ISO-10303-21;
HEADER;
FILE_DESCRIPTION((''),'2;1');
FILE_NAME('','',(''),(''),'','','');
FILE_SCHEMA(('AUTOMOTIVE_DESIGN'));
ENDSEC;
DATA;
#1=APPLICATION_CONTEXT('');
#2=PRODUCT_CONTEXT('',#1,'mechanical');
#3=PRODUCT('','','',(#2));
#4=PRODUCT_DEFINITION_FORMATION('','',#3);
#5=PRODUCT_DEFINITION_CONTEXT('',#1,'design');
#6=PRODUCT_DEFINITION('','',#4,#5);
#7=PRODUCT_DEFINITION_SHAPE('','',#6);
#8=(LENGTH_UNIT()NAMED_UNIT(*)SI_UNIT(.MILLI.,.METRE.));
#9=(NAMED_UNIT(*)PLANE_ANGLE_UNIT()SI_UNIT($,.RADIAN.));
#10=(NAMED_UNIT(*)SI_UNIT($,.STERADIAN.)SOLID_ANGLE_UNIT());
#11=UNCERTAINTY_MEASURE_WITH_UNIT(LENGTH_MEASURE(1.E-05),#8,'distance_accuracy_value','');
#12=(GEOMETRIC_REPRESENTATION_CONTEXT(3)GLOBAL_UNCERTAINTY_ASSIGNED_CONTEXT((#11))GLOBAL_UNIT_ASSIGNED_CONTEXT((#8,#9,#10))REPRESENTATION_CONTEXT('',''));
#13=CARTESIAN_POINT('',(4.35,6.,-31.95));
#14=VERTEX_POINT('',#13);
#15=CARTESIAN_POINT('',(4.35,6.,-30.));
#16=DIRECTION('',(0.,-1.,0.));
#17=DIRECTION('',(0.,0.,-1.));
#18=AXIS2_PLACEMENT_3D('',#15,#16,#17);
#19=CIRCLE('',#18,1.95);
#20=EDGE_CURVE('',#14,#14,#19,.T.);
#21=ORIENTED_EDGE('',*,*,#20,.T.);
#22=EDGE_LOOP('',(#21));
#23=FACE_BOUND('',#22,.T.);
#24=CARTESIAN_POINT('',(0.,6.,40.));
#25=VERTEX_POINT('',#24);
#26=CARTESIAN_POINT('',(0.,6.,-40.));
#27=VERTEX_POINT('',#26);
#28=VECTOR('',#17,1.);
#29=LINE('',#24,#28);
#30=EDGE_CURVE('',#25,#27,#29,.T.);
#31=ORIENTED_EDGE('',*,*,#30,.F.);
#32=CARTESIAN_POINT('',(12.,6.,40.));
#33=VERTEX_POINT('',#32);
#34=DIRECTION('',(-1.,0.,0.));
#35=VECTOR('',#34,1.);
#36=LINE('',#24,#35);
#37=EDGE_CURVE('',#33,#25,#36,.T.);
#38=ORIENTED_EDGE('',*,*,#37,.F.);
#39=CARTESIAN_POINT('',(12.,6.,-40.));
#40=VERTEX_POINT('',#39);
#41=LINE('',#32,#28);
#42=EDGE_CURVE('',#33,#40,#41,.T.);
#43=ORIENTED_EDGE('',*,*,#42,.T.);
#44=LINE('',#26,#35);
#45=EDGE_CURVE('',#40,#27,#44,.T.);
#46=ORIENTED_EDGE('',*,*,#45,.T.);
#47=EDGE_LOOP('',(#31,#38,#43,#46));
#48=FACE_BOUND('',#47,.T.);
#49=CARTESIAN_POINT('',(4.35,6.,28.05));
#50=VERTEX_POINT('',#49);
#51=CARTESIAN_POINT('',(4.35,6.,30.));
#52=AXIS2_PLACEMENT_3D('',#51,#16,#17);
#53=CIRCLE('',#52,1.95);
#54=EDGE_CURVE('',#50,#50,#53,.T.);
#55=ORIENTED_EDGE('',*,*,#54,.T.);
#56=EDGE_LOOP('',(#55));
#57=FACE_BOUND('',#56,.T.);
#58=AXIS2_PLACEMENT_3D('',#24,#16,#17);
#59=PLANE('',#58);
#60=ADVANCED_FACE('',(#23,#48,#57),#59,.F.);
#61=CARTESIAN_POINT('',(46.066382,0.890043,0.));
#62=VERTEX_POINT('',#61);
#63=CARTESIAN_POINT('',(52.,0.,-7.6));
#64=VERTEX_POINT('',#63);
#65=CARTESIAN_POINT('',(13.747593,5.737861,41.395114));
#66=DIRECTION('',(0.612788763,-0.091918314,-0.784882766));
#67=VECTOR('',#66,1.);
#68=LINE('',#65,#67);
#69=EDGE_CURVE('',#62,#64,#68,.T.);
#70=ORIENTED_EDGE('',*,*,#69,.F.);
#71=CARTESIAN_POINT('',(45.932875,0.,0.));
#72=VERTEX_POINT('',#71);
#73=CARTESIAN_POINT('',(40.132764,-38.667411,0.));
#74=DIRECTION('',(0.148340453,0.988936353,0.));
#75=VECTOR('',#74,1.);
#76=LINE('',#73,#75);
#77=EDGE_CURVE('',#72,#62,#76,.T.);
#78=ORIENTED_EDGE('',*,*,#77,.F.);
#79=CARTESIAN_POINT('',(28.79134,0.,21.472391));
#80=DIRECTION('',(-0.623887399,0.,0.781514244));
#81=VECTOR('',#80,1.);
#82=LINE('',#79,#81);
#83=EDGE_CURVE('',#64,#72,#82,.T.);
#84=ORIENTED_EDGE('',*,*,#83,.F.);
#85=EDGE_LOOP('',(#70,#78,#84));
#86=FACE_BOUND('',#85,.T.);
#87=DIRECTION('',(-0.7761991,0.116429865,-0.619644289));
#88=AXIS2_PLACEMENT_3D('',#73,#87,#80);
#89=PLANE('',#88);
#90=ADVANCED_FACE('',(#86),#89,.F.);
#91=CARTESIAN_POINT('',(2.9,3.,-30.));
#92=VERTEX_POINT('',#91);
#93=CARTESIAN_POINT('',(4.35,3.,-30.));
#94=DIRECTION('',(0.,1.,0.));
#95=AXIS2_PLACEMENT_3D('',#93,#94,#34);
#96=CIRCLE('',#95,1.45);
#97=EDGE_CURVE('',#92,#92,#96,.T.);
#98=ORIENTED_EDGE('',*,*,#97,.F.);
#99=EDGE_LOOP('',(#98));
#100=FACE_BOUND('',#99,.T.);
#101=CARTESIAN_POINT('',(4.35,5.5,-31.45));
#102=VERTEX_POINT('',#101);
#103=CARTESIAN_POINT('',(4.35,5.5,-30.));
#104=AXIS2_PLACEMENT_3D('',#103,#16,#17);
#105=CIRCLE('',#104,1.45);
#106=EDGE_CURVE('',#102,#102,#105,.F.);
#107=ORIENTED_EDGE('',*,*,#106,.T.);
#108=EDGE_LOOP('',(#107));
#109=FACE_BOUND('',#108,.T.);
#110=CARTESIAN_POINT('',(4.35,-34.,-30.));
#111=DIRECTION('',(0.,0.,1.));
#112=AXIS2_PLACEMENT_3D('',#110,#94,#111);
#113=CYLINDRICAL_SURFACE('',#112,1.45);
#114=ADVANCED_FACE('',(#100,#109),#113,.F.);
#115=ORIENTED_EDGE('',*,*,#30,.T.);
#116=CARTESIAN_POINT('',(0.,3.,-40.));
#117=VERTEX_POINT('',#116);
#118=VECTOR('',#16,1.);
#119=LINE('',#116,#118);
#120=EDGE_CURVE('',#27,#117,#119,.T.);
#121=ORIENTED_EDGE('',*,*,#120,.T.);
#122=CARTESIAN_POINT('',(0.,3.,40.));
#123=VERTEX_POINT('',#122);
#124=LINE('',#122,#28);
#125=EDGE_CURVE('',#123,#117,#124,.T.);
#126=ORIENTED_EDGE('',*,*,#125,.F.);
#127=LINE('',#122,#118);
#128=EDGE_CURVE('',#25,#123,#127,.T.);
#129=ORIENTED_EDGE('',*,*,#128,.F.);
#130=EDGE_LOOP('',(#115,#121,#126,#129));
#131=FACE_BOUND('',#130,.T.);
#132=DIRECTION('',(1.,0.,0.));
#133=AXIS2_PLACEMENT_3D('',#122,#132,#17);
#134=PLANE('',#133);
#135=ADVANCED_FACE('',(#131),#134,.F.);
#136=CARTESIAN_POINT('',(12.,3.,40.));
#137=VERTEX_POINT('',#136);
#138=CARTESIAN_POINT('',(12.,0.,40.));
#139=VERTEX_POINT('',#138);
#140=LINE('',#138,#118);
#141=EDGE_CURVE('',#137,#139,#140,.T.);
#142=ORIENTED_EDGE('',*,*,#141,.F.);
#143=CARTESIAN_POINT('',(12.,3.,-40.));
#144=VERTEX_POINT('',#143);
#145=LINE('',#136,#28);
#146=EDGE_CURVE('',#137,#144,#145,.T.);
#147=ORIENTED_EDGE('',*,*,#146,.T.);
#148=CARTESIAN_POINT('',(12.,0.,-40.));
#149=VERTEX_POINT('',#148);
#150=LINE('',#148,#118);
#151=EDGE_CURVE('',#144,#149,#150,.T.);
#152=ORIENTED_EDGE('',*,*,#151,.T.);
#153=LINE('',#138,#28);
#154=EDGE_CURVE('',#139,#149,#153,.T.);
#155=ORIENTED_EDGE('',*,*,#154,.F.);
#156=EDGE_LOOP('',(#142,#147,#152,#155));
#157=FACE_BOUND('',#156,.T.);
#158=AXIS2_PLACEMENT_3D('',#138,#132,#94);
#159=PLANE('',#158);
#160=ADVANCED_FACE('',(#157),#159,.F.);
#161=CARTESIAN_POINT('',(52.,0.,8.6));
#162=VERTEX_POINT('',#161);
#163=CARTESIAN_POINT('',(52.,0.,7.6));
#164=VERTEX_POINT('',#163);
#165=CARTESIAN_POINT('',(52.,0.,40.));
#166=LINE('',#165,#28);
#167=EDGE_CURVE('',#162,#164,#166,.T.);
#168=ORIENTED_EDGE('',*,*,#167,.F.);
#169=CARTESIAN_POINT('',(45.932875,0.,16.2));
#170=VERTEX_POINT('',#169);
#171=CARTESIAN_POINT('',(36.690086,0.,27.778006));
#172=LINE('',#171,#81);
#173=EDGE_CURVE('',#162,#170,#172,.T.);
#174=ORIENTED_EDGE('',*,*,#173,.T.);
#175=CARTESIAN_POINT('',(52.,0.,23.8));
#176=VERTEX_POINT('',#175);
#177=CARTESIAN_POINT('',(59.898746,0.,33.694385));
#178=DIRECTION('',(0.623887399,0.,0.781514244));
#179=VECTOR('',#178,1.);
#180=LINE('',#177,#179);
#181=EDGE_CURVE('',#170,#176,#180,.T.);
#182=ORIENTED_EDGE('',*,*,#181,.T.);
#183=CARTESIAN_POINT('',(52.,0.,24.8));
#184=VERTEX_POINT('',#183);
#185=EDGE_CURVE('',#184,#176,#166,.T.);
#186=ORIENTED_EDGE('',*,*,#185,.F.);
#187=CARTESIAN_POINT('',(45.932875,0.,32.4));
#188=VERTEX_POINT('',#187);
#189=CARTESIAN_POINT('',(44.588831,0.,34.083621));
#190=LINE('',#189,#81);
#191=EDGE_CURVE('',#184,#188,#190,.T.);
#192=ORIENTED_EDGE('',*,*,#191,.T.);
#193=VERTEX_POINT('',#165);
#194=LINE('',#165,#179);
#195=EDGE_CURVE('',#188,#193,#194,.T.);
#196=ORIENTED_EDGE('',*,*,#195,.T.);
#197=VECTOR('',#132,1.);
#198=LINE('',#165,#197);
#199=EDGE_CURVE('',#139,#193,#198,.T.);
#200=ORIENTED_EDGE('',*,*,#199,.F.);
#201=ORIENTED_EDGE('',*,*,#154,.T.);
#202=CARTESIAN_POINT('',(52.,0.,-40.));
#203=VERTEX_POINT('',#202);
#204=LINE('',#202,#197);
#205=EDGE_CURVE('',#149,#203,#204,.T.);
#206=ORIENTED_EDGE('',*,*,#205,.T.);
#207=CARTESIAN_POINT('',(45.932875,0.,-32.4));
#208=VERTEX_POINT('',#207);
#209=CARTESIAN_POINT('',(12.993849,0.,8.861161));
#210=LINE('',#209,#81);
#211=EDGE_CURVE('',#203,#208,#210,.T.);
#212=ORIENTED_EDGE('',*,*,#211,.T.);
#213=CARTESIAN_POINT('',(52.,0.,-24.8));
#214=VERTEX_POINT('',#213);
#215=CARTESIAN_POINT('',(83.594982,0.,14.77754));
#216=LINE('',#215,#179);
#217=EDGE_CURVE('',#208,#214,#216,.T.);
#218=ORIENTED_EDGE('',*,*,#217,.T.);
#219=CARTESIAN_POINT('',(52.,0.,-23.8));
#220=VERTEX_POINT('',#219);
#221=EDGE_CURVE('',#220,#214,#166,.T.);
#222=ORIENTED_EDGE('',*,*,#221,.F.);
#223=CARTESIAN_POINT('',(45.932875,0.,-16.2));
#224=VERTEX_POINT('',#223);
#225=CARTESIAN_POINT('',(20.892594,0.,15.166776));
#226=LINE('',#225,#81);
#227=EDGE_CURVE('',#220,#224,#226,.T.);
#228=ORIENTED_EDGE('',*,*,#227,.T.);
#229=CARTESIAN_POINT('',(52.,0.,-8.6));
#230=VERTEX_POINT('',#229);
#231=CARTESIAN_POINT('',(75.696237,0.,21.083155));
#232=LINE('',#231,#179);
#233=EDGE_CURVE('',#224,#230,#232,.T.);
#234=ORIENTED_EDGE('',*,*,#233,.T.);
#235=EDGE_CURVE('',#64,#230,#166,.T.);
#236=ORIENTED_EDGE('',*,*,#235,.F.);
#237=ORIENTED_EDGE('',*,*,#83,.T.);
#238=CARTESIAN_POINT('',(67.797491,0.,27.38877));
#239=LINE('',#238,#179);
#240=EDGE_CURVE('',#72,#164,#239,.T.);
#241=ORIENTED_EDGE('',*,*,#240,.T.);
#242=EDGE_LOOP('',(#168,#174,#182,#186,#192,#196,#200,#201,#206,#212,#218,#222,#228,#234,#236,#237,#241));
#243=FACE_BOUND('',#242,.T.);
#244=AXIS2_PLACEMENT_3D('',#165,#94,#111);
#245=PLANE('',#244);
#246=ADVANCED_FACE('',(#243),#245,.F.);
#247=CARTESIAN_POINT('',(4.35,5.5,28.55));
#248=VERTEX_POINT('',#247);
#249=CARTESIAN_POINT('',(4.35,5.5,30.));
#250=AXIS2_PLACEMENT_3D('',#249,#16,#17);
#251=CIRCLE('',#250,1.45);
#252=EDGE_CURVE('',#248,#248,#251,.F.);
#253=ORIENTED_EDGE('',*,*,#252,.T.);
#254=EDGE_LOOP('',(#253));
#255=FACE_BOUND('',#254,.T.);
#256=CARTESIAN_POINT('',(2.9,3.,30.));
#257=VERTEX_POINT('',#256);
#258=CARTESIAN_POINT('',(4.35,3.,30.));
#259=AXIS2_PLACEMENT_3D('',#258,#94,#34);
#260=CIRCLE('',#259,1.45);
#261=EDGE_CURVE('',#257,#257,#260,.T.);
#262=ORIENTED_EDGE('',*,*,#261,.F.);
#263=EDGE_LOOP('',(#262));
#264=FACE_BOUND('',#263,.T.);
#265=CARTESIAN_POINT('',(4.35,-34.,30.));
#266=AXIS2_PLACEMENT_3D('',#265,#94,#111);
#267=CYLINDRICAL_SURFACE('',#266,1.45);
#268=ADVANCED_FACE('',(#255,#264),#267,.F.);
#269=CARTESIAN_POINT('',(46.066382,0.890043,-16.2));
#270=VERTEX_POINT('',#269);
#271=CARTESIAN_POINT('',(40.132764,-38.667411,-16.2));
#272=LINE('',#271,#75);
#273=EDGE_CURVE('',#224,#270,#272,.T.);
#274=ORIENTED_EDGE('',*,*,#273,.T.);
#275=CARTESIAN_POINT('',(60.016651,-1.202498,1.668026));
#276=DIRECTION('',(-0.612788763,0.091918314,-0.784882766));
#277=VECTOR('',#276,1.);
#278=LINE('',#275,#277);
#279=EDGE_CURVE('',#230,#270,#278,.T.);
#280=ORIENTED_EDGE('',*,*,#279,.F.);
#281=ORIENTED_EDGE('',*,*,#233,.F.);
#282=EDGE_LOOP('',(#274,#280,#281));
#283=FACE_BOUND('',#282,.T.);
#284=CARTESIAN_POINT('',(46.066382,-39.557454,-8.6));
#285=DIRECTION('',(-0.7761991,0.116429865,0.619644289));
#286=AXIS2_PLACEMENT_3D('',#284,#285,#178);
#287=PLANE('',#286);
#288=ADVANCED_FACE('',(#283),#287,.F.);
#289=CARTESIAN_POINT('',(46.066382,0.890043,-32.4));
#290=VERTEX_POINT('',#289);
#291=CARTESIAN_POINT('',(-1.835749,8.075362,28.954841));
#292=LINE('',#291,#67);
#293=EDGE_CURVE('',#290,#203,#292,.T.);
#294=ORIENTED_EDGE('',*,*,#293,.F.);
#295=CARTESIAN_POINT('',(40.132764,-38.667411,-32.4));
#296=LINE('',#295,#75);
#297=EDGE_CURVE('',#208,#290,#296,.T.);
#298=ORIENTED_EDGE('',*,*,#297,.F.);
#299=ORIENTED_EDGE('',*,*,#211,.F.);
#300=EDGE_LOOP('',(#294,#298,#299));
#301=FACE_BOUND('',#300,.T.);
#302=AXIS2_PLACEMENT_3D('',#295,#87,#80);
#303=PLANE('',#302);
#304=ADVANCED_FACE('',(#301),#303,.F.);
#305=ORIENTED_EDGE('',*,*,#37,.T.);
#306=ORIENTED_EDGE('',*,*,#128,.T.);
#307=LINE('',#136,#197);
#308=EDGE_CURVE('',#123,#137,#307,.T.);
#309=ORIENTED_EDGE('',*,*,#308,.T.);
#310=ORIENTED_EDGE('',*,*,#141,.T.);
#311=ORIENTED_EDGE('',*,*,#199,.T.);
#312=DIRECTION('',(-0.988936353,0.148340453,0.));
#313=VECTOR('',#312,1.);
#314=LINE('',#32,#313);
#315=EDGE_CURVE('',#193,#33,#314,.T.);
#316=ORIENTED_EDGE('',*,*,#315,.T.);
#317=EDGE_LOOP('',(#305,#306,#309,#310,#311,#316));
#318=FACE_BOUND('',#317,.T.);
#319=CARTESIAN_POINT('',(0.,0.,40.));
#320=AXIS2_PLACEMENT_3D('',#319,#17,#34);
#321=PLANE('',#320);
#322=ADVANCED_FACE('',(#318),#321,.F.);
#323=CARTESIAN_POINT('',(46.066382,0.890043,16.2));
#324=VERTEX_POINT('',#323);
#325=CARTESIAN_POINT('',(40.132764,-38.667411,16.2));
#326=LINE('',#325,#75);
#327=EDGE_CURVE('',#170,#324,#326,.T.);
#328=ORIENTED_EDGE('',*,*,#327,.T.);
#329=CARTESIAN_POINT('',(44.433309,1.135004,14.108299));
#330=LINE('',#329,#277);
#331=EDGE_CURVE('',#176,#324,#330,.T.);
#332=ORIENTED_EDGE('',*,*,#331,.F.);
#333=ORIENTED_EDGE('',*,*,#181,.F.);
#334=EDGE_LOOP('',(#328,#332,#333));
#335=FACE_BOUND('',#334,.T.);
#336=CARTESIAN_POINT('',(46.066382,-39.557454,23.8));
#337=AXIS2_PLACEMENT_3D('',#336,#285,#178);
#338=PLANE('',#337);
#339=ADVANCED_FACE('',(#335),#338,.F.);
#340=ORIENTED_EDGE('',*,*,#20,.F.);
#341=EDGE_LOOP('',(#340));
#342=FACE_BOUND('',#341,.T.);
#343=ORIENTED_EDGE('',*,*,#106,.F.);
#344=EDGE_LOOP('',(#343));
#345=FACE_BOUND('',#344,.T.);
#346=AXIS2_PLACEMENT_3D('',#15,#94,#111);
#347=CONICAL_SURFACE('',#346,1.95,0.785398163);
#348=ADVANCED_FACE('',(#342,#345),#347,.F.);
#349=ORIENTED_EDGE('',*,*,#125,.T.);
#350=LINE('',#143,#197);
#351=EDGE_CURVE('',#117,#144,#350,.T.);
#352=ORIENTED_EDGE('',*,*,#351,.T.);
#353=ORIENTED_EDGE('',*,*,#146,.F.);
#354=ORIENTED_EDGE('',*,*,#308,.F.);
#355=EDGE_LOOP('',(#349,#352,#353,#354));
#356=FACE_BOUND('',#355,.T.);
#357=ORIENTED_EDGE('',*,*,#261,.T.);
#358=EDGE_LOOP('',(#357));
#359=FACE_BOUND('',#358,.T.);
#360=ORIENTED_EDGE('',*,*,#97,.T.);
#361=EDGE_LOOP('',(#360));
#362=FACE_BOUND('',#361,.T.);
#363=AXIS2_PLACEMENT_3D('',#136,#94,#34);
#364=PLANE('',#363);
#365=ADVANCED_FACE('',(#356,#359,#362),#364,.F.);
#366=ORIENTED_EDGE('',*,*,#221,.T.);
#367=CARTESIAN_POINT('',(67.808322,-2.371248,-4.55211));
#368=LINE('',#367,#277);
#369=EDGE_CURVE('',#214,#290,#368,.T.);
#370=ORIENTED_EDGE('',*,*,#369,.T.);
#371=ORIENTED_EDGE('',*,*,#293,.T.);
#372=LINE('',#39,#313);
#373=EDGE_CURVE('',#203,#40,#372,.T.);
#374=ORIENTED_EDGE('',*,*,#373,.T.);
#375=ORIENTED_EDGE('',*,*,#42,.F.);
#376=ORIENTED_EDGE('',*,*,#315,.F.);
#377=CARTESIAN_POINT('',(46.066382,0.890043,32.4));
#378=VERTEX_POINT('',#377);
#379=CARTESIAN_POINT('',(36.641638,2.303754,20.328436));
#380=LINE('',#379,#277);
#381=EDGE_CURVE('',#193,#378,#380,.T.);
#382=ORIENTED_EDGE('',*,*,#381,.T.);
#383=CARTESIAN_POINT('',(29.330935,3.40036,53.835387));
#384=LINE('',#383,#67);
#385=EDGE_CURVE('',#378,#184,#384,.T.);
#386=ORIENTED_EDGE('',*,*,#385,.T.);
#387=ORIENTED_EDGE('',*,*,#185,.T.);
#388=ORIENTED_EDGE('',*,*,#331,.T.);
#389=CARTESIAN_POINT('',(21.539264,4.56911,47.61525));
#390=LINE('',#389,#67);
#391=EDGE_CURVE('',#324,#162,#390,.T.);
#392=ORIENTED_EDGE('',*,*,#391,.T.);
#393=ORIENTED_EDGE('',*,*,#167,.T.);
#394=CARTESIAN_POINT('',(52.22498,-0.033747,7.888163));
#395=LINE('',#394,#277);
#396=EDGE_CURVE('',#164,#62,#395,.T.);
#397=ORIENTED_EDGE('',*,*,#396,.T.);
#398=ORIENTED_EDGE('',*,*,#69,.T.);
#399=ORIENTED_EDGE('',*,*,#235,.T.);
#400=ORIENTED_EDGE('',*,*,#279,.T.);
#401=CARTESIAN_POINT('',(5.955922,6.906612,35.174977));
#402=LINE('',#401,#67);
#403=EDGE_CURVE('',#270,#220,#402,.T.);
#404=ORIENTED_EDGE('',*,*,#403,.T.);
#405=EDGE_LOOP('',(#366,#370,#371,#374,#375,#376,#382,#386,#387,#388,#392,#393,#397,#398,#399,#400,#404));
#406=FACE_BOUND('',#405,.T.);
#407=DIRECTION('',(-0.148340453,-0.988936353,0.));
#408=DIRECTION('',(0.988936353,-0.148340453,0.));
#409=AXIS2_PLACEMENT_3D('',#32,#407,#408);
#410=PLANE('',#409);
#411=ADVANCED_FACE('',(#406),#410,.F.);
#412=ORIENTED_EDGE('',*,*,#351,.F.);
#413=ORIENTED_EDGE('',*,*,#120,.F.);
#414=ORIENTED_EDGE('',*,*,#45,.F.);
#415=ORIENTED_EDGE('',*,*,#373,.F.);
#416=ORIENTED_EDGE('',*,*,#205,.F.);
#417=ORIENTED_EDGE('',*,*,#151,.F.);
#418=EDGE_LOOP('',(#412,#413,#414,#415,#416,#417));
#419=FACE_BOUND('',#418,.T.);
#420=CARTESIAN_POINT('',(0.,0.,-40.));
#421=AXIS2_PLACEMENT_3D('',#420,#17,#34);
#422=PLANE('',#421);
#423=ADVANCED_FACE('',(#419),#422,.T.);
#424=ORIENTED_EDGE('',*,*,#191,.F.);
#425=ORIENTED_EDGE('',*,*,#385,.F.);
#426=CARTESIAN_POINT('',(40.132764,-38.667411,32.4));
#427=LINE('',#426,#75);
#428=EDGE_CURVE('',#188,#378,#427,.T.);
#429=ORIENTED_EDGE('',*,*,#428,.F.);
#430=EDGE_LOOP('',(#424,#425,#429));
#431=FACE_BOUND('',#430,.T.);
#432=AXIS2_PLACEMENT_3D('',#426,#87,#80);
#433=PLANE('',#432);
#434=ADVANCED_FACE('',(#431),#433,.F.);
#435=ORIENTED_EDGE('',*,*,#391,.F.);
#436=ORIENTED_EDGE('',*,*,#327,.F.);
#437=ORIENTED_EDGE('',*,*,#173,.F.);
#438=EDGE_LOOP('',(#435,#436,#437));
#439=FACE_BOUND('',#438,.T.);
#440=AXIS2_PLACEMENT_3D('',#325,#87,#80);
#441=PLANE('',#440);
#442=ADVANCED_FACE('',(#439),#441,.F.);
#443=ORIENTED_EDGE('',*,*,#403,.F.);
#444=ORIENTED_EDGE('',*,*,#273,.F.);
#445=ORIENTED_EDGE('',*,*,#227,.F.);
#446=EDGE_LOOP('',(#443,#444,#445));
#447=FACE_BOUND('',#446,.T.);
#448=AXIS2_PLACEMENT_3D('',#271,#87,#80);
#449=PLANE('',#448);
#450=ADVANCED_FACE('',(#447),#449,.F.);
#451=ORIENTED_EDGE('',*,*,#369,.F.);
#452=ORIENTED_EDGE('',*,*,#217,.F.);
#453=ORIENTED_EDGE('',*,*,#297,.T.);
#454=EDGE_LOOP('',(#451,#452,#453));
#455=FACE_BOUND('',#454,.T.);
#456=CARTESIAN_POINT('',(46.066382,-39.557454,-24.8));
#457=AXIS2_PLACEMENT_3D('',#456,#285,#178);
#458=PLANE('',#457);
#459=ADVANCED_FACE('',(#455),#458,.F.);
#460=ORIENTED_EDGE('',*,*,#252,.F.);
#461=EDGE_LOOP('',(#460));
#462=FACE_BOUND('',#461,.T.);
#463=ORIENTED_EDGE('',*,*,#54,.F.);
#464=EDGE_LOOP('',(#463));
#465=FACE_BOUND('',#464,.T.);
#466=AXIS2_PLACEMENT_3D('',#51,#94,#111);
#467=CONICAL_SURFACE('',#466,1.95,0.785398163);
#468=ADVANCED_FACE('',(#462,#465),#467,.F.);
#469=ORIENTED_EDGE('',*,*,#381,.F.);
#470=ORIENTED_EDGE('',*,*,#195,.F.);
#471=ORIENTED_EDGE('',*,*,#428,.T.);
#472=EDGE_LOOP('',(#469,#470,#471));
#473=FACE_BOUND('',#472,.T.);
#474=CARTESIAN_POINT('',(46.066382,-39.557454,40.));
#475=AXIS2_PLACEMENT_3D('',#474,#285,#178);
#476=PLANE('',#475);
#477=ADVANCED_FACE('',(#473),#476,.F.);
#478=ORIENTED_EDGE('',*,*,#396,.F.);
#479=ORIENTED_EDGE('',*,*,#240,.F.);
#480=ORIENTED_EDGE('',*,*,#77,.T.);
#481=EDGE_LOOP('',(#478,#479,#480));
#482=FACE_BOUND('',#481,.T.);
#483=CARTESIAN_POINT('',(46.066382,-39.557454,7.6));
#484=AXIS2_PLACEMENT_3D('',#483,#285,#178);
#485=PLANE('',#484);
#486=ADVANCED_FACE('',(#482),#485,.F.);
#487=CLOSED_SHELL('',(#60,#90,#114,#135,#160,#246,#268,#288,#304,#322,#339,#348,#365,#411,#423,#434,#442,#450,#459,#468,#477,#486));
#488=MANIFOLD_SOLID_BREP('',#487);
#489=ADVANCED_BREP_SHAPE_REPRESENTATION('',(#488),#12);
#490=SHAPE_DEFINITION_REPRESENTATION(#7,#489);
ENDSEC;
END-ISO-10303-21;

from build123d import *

# Parameters (mm, degrees)
BOSS_EXTRUDE1_DEPTH = 40
CUT_EXTRUDE1_DEPTH  = 40
SKETCH4_R           = 1.45
CUT_EXTRUDE2_DEPTH  = 40
CHAMFER1_SIZE       = 0.5


with BuildPart() as part:
    # Sketch1 → Boss-Extrude1 (new, symmetric)
    with BuildSketch(Plane.XY):
        Polygon((0, 6), (12, 6), (52, 0), (12, 0), (12, 3), (0, 3), align=None)
    extrude(amount=BOSS_EXTRUDE1_DEPTH, both=True)

    # Sketch3 → Cut-Extrude1 (cut, symmetric)
    with BuildSketch(Plane(origin=(1.144254279, 7.628361858, 0), x_dir=(0.9889363528682976, -0.14834045293024462, 0), z_dir=(0.14834045293024462, 0.9889363528682976, 0))):
        Polygon((51.424690349, -40), (45.424690349, -32.4), (51.424690349, -24.8), align=None)
        Polygon((51.424690349, -23.8), (51.424690349, -8.6), (45.424690349, -16.2), align=None)
        Polygon((51.424690349, -7.6), (51.424690349, 7.6), (45.424690349, 0), align=None)
        Polygon((51.424690349, 8.6), (51.424690349, 23.8), (45.424690349, 16.2), align=None)
        Polygon((51.424690349, 24.8), (51.424690349, 40), (45.424690349, 32.4), align=None)
    extrude(amount=CUT_EXTRUDE1_DEPTH, both=True, mode=Mode.SUBTRACT)

    # Sketch4 → Cut-Extrude2 (cut, symmetric)
    with BuildSketch(Plane(origin=(0, 6, 0), x_dir=(1, 0, 0), z_dir=(0, 1, 0))):
        with Locations(Location((4.35, -30, 0), (0, 0, 180))):
            Circle(SKETCH4_R)
        with Locations(Location((4.35, 30, 0), (0, 0, 180))):
            Circle(SKETCH4_R)
    extrude(amount=CUT_EXTRUDE2_DEPTH, both=True, mode=Mode.SUBTRACT)

    # Chamfer1
    chamfer1_edges = [part.edges().sort_by_distance(p)[0] for p in [
        (5.8, 6, 30),
        (5.8, 6, -30),
    ]]
    chamfer(chamfer1_edges, length=CHAMFER1_SIZE)


solid = part.part
